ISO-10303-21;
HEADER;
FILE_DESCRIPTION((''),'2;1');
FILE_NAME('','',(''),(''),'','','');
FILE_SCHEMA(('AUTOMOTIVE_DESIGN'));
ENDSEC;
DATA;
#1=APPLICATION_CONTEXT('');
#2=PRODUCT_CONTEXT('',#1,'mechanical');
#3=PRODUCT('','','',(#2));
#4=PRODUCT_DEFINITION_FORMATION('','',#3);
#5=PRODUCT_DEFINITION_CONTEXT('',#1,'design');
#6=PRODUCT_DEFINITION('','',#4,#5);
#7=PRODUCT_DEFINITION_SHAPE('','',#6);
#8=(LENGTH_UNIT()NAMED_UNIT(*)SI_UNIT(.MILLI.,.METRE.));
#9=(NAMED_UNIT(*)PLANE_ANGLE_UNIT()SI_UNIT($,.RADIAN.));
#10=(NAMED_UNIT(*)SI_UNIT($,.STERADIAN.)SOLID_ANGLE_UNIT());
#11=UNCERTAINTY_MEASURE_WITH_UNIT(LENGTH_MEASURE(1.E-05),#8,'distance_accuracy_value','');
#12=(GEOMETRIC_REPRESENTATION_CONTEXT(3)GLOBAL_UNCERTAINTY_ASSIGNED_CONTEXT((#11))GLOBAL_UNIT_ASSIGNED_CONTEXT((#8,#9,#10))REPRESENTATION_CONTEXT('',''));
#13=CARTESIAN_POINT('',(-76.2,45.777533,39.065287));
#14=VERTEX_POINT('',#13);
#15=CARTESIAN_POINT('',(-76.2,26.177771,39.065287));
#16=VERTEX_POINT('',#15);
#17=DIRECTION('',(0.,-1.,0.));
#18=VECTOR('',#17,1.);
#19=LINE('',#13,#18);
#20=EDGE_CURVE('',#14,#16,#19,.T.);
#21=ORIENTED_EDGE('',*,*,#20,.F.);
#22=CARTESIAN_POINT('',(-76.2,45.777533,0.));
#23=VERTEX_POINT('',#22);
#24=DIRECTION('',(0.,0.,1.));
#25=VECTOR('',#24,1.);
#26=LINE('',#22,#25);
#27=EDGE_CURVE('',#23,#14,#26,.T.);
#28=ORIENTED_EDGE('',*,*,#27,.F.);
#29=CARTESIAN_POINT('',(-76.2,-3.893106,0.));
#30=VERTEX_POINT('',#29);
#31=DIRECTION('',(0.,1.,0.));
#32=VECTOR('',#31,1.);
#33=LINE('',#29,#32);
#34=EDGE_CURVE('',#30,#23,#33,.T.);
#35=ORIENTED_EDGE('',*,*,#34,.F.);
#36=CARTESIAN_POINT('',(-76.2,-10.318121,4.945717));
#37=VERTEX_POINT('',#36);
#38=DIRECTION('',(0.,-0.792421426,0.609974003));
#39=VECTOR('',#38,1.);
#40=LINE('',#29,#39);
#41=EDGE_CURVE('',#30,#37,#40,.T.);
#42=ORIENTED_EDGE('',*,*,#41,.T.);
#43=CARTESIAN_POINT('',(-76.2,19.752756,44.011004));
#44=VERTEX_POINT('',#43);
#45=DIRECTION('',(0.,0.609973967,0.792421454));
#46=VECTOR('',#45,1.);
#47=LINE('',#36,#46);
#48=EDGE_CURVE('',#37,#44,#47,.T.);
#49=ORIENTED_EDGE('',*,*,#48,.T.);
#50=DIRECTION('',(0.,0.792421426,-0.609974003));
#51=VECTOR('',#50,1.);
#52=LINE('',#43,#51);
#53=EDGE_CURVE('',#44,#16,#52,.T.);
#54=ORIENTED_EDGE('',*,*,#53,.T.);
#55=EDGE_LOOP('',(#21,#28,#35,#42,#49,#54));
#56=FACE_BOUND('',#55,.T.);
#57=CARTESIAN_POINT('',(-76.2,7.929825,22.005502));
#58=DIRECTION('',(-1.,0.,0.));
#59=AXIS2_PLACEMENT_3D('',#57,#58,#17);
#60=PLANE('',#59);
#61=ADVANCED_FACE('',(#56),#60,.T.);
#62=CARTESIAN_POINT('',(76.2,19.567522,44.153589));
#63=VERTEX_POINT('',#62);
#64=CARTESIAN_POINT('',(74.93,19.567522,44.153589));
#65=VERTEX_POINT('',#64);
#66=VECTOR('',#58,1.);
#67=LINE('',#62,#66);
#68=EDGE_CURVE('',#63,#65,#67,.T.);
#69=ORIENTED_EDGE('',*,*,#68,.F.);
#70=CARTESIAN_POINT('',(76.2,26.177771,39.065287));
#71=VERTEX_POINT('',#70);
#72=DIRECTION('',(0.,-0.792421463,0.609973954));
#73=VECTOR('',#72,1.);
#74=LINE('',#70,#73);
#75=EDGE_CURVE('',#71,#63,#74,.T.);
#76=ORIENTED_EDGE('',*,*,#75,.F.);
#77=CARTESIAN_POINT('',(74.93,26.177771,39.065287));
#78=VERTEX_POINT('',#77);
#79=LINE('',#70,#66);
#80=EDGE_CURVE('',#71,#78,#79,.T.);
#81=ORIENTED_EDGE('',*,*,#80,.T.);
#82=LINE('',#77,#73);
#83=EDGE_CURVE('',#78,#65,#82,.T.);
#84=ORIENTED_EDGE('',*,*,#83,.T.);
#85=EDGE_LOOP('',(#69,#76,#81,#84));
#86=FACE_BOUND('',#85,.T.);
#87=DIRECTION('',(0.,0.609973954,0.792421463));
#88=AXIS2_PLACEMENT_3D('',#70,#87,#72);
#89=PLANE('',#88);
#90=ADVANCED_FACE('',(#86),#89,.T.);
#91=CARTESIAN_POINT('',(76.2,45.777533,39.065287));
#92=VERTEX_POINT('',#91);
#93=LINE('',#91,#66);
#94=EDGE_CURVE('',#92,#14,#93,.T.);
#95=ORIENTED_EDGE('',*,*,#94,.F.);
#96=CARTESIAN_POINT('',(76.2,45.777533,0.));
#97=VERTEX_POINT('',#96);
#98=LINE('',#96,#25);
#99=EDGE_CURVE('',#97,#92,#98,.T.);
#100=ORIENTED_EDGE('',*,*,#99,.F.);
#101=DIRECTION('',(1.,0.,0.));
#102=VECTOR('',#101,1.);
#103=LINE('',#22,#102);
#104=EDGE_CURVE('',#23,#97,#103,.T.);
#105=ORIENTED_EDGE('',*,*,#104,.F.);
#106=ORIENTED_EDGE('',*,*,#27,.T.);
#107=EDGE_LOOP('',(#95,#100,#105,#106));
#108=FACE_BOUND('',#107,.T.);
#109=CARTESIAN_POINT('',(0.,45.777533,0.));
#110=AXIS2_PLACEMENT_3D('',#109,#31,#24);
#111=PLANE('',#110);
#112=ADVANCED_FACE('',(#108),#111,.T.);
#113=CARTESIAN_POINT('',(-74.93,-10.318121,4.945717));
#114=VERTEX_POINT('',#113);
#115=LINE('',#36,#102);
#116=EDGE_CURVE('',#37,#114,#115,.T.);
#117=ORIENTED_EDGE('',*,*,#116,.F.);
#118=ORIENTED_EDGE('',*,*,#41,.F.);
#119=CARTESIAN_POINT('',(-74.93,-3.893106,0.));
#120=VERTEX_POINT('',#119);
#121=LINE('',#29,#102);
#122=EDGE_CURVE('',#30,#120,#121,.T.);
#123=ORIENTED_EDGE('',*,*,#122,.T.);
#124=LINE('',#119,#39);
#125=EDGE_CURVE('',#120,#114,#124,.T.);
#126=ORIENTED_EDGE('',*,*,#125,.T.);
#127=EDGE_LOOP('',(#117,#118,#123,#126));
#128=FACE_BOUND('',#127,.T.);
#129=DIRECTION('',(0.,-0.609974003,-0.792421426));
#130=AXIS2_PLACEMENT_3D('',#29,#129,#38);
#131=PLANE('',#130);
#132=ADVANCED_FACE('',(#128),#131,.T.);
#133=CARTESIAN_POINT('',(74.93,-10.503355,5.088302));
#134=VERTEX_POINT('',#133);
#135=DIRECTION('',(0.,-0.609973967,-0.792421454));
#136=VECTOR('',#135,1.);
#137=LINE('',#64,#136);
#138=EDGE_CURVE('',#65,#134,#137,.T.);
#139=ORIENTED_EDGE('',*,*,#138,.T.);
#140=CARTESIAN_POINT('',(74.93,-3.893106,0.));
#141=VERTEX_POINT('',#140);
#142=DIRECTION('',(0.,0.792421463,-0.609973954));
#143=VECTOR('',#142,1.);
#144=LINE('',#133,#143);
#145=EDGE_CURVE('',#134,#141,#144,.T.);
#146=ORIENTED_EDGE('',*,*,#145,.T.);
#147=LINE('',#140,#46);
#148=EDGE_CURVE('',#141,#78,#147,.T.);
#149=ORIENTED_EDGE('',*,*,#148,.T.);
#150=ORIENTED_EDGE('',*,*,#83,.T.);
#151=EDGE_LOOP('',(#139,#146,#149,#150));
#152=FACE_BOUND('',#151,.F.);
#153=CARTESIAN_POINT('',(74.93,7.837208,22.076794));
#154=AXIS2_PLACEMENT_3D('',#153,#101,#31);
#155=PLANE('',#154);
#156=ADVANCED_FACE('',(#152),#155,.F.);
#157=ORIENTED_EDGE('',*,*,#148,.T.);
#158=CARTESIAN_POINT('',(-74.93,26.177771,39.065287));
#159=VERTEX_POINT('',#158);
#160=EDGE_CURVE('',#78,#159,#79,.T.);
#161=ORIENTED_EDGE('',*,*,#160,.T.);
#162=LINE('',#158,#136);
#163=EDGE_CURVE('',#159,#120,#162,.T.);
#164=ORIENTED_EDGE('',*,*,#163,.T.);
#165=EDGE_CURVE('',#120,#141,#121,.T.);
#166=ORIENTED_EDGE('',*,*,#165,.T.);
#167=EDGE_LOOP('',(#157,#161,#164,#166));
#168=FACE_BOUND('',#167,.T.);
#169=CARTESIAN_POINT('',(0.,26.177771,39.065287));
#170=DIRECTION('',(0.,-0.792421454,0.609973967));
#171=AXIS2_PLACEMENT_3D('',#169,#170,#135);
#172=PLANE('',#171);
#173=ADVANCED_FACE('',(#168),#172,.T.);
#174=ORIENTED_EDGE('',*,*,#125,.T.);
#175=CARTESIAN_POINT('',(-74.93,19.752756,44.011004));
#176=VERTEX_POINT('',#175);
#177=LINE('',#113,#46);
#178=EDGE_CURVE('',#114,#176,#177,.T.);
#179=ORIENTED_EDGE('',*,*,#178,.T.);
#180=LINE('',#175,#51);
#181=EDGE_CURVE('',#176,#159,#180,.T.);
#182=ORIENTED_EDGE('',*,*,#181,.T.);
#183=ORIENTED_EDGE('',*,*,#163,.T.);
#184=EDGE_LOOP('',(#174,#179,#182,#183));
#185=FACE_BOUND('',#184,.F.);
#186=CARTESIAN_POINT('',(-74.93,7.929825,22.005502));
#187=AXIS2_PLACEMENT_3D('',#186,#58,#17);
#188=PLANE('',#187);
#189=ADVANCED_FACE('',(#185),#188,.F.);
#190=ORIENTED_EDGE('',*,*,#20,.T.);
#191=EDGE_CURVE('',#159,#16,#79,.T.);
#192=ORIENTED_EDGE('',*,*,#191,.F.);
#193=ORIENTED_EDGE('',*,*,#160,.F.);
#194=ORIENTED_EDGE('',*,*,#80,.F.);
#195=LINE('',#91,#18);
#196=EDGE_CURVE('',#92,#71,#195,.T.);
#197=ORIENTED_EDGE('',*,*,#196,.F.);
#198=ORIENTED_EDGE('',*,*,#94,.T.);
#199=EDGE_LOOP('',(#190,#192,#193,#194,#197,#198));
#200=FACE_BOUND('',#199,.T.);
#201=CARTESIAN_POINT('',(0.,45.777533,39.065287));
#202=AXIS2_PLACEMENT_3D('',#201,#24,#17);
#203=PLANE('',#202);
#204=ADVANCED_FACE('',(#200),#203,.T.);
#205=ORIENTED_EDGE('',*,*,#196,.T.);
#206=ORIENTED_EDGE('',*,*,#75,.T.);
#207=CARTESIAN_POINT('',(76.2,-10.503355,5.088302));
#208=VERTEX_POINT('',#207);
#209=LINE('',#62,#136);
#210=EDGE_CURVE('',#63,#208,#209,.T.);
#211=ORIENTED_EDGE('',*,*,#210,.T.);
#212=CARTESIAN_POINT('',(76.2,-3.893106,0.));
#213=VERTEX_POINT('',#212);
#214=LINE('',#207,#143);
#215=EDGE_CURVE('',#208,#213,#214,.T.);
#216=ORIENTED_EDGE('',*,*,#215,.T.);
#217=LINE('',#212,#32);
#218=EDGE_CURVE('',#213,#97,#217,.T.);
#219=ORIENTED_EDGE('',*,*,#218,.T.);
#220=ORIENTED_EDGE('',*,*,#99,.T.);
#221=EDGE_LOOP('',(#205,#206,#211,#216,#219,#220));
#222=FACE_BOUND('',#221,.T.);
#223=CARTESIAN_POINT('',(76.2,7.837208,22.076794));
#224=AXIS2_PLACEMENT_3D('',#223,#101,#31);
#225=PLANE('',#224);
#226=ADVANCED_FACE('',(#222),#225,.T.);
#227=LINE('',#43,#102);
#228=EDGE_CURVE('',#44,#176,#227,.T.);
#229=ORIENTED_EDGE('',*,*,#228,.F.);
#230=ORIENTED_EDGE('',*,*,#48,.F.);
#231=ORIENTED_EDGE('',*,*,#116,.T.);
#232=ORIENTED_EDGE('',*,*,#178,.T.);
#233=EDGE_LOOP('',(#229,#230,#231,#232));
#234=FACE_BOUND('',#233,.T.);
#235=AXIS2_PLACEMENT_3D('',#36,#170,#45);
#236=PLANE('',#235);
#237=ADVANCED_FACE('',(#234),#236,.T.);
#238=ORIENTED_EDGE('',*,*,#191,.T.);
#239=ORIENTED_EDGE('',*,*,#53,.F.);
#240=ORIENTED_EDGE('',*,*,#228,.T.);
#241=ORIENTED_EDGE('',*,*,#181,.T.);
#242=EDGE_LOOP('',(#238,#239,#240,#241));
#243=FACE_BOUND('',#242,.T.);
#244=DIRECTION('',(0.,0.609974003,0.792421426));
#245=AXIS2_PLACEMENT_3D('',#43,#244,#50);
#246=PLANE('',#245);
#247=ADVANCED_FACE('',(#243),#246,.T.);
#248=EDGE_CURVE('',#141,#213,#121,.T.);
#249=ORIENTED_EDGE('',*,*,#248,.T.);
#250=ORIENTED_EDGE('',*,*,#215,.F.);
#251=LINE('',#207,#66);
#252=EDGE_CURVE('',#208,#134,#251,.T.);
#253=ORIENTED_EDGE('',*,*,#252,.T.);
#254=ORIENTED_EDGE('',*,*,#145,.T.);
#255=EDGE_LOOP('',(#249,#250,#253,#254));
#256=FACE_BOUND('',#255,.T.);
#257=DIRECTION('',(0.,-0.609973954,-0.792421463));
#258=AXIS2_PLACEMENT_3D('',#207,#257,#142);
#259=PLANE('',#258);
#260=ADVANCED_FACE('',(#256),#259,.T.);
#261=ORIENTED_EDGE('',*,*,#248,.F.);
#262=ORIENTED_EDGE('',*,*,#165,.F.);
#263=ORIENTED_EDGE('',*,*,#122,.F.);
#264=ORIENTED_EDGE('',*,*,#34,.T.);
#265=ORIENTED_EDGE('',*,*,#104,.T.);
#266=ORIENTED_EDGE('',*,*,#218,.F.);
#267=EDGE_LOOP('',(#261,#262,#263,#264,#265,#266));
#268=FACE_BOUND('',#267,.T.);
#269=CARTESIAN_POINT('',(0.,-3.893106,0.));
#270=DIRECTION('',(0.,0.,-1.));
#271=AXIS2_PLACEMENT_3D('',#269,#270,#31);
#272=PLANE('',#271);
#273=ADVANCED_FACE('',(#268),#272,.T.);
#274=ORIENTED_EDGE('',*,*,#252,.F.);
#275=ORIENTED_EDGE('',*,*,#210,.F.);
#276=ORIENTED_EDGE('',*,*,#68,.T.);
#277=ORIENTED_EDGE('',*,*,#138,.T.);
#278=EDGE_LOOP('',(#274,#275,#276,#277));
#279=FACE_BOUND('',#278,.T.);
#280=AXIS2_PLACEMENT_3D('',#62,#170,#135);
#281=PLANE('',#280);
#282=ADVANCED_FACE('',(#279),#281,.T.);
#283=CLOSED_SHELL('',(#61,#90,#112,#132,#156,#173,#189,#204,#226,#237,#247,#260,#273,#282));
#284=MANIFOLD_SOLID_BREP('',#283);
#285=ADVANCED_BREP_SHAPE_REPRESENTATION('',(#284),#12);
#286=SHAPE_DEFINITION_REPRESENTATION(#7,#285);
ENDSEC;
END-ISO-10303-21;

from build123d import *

# Parameters (mm, degrees)
F1_DEPTH = 76.2
F3_DEPTH = 1.27
F5_DEPTH = 1.27


with BuildPart() as f1:
    # F0 (on Right) → F1 (new body, symmetric)
    with BuildSketch(Plane.YZ):
        Polygon((26.177771, 39.065287), (-3.893106, 0), (26.177771, 0), (45.777533, 0), (45.777533, 39.065287), align=None)
    extrude(amount=F1_DEPTH, both=True)

    # F2 (on face) → F3 (join)
    with BuildSketch(Plane.YZ.offset(76.2)):
        Polygon((-10.503355, 5.088302), (-3.893106, 0), (26.177771, 39.065287), (19.567522, 44.153589), align=None)
    extrude(amount=-F3_DEPTH)

    # F4 (on face) → F5 (join)
    with BuildSketch(Plane(origin=(-76.2, 0, 0), x_dir=(0, -1, 0), z_dir=(-1, 0, 0))):
        Polygon((-19.752756, 44.011004), (-26.177771, 39.065287), (3.893106, 0), (10.318121, 4.945717), align=None)
    extrude(amount=-F5_DEPTH)


solid = f1.part
